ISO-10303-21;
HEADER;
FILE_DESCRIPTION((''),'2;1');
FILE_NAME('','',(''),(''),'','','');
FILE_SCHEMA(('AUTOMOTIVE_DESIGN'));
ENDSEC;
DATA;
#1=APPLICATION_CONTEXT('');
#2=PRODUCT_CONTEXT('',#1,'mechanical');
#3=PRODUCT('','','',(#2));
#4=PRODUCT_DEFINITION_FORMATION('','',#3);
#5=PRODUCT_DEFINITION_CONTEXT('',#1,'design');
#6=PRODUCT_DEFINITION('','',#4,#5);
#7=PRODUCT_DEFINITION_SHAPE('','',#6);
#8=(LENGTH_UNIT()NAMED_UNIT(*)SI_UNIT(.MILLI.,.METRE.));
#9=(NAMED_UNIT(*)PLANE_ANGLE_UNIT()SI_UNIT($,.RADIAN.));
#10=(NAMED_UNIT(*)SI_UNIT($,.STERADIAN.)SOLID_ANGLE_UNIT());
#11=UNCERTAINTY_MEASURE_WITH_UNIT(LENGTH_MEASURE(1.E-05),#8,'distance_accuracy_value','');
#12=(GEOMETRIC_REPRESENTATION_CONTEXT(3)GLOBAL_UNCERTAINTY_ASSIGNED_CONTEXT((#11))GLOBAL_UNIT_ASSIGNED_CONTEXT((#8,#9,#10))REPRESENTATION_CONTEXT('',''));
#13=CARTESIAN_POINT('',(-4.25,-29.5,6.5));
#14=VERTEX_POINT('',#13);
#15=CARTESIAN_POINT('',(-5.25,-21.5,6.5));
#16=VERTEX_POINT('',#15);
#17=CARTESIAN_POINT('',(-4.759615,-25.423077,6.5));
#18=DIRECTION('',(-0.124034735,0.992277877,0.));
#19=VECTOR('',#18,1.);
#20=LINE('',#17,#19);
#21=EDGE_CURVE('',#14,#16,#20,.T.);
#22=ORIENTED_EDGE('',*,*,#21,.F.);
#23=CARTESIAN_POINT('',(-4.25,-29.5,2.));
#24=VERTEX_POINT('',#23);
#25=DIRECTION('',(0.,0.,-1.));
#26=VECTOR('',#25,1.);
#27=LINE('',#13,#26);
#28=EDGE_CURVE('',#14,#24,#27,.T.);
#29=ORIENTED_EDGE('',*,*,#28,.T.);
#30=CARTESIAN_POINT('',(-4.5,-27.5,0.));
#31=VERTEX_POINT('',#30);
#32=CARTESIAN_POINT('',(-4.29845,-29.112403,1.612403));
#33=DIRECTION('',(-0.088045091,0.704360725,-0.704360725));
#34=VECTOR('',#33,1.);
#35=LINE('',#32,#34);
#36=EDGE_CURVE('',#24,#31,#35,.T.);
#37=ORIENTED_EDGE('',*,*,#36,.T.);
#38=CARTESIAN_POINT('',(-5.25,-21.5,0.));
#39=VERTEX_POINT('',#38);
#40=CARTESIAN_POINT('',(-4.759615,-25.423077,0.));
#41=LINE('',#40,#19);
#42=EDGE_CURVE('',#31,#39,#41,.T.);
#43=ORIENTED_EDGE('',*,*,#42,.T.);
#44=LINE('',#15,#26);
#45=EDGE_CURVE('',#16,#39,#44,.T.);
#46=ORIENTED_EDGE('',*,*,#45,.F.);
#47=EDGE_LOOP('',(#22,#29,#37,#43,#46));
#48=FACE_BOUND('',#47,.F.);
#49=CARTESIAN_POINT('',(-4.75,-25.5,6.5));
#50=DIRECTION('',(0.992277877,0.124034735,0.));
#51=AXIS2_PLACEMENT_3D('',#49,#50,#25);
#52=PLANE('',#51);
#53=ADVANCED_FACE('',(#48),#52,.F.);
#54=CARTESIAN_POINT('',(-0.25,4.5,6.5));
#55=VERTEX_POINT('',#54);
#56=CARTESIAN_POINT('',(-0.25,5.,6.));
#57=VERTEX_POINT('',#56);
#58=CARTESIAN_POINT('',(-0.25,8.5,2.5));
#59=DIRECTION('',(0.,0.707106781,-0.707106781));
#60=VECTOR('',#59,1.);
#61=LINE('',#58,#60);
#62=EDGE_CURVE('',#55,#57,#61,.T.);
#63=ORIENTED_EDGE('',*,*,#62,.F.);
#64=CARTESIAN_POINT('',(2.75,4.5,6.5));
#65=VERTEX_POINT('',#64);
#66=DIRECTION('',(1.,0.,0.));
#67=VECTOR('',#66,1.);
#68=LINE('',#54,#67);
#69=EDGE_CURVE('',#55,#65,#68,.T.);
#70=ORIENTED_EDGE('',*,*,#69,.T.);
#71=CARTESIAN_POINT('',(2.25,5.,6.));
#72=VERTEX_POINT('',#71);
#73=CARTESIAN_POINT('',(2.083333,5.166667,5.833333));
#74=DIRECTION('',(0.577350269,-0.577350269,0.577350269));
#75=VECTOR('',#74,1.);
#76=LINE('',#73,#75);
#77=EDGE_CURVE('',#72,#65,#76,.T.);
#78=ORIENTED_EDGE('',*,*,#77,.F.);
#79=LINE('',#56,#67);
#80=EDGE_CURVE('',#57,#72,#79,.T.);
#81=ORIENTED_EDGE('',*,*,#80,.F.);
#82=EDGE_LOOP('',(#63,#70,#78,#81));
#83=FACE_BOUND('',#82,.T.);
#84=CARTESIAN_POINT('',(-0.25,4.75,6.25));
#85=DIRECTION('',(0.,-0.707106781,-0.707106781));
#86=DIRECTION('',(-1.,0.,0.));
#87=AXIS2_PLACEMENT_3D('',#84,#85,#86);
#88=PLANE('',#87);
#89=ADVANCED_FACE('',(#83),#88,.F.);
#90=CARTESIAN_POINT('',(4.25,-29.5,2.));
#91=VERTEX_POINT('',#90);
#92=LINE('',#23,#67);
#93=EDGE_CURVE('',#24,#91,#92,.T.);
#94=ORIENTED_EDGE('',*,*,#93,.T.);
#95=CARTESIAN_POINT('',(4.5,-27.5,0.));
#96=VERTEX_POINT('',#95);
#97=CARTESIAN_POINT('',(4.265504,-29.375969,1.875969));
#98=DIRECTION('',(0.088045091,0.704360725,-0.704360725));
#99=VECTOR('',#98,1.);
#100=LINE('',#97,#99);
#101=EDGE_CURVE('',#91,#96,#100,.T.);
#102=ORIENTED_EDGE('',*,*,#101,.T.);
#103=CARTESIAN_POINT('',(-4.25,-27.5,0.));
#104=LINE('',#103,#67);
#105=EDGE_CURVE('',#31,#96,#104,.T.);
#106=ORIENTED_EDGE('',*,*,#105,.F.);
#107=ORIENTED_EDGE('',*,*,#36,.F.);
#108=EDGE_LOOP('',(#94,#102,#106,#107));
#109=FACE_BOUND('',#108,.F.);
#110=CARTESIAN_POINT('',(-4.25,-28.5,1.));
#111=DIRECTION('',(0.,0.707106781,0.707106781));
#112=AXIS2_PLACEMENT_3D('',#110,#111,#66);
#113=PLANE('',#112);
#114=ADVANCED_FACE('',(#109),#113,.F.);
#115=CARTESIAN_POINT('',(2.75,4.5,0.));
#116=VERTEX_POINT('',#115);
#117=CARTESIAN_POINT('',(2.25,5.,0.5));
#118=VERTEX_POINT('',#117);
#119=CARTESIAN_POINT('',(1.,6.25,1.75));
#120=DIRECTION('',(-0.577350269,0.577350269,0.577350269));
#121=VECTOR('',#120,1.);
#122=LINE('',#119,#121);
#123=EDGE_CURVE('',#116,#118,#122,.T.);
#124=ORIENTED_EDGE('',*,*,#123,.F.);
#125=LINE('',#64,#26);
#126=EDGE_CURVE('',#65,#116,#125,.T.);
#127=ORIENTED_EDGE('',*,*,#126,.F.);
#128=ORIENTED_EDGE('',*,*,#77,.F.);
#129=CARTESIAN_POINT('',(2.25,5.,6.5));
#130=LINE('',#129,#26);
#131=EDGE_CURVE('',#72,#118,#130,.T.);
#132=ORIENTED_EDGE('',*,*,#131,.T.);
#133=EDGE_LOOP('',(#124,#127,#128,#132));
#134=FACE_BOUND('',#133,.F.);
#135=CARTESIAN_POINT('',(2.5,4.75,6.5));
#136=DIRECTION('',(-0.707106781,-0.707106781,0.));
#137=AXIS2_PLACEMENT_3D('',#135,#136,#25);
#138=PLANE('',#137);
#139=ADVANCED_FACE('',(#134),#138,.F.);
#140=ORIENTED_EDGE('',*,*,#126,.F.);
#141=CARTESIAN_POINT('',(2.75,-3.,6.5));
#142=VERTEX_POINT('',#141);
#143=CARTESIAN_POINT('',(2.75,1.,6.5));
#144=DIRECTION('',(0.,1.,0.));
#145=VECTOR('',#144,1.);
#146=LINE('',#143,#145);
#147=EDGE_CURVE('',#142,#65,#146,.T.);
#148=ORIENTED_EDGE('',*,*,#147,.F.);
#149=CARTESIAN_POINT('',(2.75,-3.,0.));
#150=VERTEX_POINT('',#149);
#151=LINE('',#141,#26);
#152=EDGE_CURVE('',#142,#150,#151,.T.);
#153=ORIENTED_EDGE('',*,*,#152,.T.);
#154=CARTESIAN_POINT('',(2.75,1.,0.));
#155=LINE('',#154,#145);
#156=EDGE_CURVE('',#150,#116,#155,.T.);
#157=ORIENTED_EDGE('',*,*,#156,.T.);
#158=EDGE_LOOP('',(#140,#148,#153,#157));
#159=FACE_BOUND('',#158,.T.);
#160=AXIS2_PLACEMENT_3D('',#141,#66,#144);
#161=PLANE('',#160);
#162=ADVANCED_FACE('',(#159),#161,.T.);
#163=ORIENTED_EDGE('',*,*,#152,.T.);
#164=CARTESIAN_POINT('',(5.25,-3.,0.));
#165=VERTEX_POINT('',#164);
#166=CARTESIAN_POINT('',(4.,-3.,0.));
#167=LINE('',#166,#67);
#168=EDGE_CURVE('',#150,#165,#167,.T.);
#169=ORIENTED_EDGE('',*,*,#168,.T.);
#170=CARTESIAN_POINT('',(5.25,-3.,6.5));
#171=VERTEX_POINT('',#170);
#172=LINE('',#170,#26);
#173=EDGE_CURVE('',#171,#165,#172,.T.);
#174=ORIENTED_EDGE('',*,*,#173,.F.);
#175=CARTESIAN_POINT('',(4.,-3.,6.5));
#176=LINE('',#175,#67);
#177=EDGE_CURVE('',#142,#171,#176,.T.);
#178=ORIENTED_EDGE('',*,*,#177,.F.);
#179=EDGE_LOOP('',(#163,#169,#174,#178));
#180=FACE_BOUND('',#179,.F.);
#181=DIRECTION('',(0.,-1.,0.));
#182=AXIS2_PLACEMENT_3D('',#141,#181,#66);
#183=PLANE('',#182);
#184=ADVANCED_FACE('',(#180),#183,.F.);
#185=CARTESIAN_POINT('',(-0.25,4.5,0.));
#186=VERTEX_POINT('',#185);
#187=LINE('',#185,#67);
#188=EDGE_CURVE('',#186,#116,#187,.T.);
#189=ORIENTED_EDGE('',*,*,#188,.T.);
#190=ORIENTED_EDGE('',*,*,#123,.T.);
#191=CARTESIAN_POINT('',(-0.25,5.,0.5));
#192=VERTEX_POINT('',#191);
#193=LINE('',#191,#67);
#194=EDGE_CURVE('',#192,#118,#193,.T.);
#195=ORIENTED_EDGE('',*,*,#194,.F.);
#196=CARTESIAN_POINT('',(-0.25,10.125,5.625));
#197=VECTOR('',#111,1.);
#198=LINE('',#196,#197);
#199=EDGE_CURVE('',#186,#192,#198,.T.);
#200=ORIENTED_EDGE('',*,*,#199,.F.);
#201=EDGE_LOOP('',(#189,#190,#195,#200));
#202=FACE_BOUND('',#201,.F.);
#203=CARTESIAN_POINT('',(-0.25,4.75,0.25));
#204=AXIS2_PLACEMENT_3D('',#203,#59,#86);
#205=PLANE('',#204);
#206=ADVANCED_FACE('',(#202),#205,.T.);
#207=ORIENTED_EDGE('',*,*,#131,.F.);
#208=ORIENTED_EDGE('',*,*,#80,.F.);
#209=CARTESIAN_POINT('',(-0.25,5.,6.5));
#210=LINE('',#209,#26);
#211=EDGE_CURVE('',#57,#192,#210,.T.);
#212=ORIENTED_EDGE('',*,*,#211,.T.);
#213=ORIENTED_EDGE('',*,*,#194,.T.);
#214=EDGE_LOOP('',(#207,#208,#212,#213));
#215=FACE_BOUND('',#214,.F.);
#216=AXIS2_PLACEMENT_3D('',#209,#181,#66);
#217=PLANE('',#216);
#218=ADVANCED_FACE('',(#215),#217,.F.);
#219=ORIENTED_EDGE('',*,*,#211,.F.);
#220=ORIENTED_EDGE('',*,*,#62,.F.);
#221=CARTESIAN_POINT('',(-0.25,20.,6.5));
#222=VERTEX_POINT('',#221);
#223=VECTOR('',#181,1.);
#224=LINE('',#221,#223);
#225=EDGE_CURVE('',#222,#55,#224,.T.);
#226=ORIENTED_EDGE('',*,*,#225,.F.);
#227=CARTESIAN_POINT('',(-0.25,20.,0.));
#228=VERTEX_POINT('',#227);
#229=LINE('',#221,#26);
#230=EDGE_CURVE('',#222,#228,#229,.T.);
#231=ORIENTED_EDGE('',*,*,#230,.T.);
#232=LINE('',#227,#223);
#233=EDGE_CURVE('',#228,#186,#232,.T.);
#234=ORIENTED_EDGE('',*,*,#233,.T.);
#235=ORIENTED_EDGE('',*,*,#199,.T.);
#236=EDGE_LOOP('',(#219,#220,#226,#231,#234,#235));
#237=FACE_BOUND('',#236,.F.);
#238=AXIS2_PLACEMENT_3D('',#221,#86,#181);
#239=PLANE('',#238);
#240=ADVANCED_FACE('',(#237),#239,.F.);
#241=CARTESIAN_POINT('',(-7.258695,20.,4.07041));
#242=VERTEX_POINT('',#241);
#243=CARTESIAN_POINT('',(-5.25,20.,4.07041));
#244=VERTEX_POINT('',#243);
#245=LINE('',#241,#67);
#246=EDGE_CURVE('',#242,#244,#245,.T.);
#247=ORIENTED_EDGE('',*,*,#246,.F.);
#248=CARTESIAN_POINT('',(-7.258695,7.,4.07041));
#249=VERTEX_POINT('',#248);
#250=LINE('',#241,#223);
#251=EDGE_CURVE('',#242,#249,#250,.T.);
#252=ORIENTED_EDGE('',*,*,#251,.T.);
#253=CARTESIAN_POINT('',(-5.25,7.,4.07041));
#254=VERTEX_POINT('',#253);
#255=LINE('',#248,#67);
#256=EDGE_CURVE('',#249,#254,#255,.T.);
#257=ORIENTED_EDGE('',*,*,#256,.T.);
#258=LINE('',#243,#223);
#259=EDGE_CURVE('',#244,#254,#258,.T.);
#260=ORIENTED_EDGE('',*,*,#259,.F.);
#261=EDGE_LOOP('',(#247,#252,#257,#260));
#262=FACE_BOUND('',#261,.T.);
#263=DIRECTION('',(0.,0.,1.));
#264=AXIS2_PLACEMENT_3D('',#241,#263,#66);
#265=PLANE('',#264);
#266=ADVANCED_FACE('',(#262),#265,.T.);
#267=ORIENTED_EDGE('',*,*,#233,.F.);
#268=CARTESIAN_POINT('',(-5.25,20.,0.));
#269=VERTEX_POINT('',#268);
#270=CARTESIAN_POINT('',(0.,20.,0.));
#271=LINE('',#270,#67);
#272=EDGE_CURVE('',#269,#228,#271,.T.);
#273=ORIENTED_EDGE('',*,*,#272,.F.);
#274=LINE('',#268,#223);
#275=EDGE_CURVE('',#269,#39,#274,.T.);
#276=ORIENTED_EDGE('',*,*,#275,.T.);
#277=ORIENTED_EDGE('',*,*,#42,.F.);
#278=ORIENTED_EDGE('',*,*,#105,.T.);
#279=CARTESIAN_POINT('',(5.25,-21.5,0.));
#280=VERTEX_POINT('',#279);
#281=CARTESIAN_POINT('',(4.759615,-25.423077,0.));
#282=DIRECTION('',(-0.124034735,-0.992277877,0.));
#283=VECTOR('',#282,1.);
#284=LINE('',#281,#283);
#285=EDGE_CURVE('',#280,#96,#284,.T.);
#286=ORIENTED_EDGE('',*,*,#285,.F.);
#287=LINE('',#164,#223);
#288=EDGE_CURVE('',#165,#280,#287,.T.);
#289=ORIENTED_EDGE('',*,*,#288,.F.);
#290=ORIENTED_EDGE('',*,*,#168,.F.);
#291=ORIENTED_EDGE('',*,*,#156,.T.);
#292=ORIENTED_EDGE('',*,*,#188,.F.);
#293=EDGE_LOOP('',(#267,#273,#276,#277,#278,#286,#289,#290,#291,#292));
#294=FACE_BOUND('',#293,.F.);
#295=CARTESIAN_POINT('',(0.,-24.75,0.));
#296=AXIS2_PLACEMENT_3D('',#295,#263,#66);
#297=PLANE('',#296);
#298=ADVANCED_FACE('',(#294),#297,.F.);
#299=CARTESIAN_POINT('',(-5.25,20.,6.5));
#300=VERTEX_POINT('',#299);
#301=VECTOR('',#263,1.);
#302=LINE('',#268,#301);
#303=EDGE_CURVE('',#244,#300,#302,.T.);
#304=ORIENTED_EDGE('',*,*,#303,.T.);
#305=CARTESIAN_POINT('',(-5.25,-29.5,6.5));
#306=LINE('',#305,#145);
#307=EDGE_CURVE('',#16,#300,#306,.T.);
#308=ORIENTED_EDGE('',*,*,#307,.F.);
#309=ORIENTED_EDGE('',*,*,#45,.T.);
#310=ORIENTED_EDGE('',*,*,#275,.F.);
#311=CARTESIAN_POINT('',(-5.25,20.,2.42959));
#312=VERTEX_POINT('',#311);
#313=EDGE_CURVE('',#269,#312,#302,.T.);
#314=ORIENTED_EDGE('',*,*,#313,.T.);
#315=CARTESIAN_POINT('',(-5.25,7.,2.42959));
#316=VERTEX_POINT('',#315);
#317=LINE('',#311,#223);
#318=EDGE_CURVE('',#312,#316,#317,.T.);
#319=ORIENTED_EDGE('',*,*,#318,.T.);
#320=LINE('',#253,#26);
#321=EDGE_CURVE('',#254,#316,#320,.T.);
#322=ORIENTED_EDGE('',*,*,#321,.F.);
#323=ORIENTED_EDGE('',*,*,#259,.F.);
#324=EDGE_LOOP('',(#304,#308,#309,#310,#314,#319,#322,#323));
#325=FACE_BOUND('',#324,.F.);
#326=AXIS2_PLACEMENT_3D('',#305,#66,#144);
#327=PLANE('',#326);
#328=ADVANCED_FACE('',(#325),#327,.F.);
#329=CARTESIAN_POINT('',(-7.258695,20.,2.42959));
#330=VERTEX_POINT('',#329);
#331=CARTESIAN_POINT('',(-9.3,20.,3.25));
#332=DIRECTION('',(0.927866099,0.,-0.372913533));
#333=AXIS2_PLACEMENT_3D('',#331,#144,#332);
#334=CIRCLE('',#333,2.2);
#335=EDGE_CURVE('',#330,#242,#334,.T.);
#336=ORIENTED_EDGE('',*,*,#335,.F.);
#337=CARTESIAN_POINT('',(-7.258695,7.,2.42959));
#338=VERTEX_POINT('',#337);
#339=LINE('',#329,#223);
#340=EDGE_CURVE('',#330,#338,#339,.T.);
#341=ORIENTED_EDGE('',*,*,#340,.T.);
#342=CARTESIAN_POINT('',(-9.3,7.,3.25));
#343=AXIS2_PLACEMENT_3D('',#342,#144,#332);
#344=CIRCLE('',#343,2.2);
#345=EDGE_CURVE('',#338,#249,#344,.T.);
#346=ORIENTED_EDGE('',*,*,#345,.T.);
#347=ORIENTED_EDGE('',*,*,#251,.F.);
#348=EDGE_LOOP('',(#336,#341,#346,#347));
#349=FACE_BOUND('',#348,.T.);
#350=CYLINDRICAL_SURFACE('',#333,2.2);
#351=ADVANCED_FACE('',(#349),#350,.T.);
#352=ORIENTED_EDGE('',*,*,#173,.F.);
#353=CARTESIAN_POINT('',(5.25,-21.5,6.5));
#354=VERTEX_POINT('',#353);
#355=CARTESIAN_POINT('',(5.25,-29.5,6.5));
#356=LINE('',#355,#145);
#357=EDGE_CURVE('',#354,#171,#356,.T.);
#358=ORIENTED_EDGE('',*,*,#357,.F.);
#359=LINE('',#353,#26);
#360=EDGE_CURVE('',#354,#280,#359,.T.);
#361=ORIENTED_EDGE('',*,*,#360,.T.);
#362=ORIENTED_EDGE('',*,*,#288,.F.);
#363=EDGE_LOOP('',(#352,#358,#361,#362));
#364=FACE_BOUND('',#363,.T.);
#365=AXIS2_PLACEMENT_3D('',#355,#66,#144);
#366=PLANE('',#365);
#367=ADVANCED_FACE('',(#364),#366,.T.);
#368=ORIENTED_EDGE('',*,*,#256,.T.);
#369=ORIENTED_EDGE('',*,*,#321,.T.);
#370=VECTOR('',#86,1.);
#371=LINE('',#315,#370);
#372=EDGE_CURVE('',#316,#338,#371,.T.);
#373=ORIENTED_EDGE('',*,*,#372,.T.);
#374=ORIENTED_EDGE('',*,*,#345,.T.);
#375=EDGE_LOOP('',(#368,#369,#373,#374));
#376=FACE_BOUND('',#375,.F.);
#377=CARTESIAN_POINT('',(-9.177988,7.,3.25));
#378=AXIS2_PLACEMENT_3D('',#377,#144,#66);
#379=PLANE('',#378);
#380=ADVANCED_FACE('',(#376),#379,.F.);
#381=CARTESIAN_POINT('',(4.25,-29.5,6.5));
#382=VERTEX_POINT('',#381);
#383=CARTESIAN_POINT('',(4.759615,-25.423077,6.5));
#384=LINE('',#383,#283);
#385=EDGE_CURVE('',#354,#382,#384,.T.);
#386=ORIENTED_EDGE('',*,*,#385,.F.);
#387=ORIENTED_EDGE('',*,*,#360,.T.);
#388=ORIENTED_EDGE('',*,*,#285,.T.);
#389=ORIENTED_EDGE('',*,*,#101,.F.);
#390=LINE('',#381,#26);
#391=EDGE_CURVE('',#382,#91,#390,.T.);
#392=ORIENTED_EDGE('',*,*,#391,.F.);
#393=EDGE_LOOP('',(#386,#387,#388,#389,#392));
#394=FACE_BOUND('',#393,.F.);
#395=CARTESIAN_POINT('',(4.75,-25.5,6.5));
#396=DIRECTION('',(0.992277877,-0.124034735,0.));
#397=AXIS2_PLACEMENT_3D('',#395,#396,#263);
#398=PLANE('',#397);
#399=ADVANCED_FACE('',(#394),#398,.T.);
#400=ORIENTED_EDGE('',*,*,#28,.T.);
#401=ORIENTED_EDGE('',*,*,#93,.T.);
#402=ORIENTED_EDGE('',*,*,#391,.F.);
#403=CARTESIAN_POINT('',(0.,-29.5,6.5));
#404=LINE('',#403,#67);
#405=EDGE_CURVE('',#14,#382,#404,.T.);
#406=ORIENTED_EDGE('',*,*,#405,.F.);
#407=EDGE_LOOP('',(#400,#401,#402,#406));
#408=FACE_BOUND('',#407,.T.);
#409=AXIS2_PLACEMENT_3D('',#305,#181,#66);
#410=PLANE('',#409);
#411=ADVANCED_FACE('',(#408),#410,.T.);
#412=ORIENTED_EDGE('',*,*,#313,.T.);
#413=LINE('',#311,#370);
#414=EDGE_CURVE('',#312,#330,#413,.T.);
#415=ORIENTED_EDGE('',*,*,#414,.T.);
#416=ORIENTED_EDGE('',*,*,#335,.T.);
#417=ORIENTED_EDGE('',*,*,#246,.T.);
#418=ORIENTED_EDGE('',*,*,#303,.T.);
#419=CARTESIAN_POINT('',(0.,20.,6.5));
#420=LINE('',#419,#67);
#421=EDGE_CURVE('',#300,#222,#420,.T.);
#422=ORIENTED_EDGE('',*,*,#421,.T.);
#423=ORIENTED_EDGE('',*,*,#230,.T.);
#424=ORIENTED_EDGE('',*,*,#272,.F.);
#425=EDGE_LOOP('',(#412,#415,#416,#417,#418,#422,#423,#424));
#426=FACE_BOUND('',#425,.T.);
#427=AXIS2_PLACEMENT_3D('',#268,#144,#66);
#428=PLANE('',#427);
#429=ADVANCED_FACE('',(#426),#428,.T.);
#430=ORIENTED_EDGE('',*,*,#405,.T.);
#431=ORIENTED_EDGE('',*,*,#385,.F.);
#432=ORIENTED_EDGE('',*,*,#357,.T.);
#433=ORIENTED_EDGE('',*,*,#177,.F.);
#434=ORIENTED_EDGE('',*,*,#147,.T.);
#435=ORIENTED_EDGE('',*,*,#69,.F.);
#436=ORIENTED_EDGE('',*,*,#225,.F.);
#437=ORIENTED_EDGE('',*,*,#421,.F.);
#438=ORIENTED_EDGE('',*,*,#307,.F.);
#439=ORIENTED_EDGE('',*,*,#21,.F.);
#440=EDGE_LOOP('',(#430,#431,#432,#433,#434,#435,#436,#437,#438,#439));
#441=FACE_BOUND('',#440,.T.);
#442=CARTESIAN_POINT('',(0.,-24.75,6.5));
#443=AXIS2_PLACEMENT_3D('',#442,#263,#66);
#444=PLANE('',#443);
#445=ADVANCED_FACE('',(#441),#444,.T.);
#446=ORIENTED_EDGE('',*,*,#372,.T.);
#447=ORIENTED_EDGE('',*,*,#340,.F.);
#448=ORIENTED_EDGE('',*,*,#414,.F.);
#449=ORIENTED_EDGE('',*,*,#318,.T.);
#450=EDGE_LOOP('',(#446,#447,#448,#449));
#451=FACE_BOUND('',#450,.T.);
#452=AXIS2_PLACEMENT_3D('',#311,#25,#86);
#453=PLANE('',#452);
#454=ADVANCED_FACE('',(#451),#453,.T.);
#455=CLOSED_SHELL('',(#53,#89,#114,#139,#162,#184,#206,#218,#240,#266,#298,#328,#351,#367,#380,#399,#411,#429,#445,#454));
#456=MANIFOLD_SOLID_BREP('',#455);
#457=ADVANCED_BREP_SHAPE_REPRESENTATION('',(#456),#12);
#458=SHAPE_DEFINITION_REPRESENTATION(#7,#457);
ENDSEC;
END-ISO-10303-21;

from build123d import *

# Parameters (mm, degrees)
SZKIC1_W                    = 10.5
SZKIC1_H                    = 40
DODANIE_WYCI_GNI_CIE1_DEPTH = 6.5
SZKIC2_W                    = 2.5
SZKIC2_H                    = 8
WYTNIJ_WYCI_GNI_CIE1_DEPTH  = 6.5
SFAZOWANIE1_SIZE            = 0.5
DODANIE_WYCI_GNI_CIE2_DEPTH = 13
SZKIC4_W                    = 10.5
SZKIC4_H                    = 9.5
DODANIE_WYCI_GNI_CIE3_DEPTH = 6.5
SFAZOWANIE2_SIZE            = 8
SFAZOWANIE2_SIZE2           = 1
SFAZOWANIE3_SIZE            = 1
SFAZOWANIE3_SIZE2           = 8
SFAZOWANIE4_SIZE            = 2


with BuildPart() as part:
    # Szkic1 → Dodanie-wyciągnięcie1 (new body)
    with BuildSketch(Plane.XY):
        Rectangle(SZKIC1_W, SZKIC1_H)
    extrude(amount=DODANIE_WYCI_GNI_CIE1_DEPTH)

    # Szkic2 → Wytnij-wyciągnięcie1 (cut)
    with BuildSketch(Plane.XY.offset(6.5)):
        with Locations((4, 1)):
            Rectangle(SZKIC2_W, SZKIC2_H)
        Polygon((5.25, 20), (-0.25, 20), (-0.25, 5), (2.75, 5), (5.25, 5), align=None)
    extrude(amount=-WYTNIJ_WYCI_GNI_CIE1_DEPTH, mode=Mode.SUBTRACT)

    # Sfazowanie1
    sfazowanie1_edges = [part.edges().sort_by_distance(p)[0] for p in [
        (1.25, 5, 0),
        (2.75, 5, 3.25),
        (1.25, 5, 6.5),
    ]]
    chamfer(sfazowanie1_edges, length=SFAZOWANIE1_SIZE)

    # Szkic3 → Dodanie-wyciągnięcie2 (add)
    with BuildSketch(Plane(origin=(0, 20, 0), x_dir=(1, 0, 0), z_dir=(0, 1, 0))):
        with BuildLine():
            ThreePointArc((-7.258694583, -2.429590228), (-11.5, -3.25), (-7.258694583, -4.070409772))
            Line((-7.258694583, -4.070409772), (-9.3, -4.070409772))
            Line((-9.3, -4.070409772), (-9.3, -2.429590228))
            Line((-9.3, -2.429590228), (-7.258694583, -2.429590228))
        make_face()
        with BuildLine():
            Line((-9.3, -4.070409772), (-7.258694583, -4.070409772))
            ThreePointArc((-7.258694583, -4.070409772), (-7.140037973, -3.667808618), (-7.1, -3.25))
            ThreePointArc((-7.1, -3.25), (-7.140037973, -2.832191382), (-7.258694583, -2.429590228))
            Line((-7.258694583, -2.429590228), (-9.3, -2.429590228))
            Line((-9.3, -2.429590228), (-9.3, -4.070409772))
        make_face()
        with BuildLine():
            Line((-7.258694583, -4.070409772), (-5.25, -4.070409772))
            Line((-5.25, -4.070409772), (-5.25, -2.429590228))
            Line((-5.25, -2.429590228), (-7.258694583, -2.429590228))
            ThreePointArc((-7.258694583, -2.429590228), (-7.140037973, -2.832191382), (-7.1, -3.25))
            ThreePointArc((-7.1, -3.25), (-7.140037973, -3.667808618), (-7.258694583, -4.070409772))
        make_face()
    extrude(amount=-DODANIE_WYCI_GNI_CIE2_DEPTH)

    # Szkic4 → Dodanie-wyciągnięcie3 (add)
    with BuildSketch(Plane.XY.offset(6.5)):
        with Locations((0, -24.75)):
            Rectangle(SZKIC4_W, SZKIC4_H)
    extrude(amount=-DODANIE_WYCI_GNI_CIE3_DEPTH)

    # Sfazowanie2
    sfazowanie2_edges = [part.edges().sort_by_distance(p)[0] for p in [
        (5.25, -29.5, 3.25),
    ]]
    sfazowanie2_side = [part.faces().sort_by_distance(p)[0] for p in [
        (5.25, -16.25, 3.25),
    ]]
    chamfer(sfazowanie2_edges, length=SFAZOWANIE2_SIZE, length2=SFAZOWANIE2_SIZE2, reference=sfazowanie2_side[0])

    # Sfazowanie3
    sfazowanie3_edges = [part.edges().sort_by_distance(p)[0] for p in [
        (-5.25, -29.5, 3.25),
    ]]
    sfazowanie3_side = [part.faces().sort_by_distance(p)[0] for p in [
        (-0.5, -29.5, 3.25),
    ]]
    chamfer(sfazowanie3_edges, length=SFAZOWANIE3_SIZE, length2=SFAZOWANIE3_SIZE2, reference=sfazowanie3_side[0])

    # Sfazowanie4
    sfazowanie4_edges = [part.edges().sort_by_distance(p)[0] for p in [
        (0, -29.5, 0),
    ]]
    chamfer(sfazowanie4_edges, length=SFAZOWANIE4_SIZE)


solid = part.part
